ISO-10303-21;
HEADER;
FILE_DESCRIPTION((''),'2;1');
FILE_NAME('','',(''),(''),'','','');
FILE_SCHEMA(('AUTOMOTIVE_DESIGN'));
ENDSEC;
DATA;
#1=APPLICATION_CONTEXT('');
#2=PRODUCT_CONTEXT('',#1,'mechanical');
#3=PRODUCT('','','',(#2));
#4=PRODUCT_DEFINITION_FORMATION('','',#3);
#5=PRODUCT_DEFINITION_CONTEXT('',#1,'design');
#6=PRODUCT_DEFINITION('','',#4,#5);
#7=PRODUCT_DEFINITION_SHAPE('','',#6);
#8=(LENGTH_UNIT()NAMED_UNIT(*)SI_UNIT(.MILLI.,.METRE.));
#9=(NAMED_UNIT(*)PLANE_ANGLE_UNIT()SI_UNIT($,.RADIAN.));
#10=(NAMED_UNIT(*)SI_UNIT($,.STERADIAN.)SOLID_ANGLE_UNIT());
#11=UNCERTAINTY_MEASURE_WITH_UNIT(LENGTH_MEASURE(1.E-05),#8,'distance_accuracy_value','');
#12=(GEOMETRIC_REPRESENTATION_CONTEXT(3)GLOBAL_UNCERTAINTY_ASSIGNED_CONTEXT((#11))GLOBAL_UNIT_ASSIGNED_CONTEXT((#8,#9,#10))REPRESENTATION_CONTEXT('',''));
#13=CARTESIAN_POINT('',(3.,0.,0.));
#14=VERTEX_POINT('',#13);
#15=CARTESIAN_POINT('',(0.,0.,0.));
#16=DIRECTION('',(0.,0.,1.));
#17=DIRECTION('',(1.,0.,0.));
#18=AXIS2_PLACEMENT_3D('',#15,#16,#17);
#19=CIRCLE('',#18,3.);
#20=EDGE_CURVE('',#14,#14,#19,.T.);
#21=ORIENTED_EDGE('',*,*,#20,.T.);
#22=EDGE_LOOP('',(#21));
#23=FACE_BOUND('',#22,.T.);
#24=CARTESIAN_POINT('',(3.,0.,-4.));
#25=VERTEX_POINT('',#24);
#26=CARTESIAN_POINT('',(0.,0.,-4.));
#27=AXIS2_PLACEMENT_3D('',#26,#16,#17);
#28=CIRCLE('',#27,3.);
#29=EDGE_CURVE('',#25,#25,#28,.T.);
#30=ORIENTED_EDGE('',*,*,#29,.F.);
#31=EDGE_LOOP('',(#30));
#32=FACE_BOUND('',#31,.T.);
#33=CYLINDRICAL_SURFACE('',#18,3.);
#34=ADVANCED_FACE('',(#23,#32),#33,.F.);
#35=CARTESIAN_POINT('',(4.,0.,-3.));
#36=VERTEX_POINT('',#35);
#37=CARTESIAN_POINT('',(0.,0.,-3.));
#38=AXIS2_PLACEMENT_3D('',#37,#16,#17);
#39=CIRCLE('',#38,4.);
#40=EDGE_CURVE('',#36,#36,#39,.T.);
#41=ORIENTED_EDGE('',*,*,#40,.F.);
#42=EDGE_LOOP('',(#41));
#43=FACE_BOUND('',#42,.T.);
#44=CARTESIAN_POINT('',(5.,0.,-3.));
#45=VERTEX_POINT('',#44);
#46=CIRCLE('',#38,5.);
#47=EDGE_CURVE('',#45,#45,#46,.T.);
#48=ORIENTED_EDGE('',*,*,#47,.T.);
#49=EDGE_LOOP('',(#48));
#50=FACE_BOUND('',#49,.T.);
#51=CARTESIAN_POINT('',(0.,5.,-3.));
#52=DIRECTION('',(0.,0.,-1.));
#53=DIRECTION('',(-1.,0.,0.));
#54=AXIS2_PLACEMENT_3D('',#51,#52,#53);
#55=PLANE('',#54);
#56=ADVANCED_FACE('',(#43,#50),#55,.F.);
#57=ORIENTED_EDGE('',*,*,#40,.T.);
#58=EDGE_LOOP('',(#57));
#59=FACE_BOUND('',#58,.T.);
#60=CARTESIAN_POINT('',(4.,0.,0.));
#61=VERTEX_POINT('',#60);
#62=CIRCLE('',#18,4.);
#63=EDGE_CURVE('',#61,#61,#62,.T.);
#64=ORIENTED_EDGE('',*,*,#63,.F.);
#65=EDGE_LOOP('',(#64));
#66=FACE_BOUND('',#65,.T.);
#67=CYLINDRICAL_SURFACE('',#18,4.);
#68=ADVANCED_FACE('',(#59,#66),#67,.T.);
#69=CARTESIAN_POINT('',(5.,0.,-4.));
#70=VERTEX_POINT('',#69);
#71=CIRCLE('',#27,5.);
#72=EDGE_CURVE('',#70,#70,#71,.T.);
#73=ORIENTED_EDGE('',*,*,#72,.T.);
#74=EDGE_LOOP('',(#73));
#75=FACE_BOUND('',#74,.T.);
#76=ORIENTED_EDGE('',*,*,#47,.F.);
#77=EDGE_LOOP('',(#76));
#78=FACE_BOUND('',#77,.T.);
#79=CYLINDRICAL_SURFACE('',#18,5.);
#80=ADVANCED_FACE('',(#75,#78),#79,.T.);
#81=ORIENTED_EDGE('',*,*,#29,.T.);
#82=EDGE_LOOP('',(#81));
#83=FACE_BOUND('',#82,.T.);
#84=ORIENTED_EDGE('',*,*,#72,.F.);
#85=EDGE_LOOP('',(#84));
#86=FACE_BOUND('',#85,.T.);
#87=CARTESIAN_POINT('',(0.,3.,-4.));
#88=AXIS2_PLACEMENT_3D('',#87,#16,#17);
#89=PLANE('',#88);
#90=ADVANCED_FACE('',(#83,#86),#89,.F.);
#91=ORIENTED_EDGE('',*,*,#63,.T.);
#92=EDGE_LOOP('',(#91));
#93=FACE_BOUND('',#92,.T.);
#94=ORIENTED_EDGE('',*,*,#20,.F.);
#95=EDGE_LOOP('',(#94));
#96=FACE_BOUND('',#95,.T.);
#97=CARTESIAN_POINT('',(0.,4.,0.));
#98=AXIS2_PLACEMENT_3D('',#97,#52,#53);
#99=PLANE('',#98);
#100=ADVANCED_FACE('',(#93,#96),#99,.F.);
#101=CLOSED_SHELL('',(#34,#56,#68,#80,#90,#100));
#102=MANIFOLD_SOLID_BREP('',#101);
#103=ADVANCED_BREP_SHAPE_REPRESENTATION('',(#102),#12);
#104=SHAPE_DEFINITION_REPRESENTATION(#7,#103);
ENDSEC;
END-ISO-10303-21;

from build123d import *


with BuildPart() as part:
    # 草图1 → 旋转1 (revolve)
    with BuildSketch(Plane(origin=(0, 0, 0), x_dir=(0, 0, -1), z_dir=(1, 0, 0)), mode=Mode.PRIVATE) as revolve_1_sk:
        Polygon((0, 3), (4, 3), (4, 5), (3, 5), (3, 4), (0, 4), align=None)
    revolve(revolve_1_sk.sketch.rotate(Axis((0, 0, 0), (0, 0, -1)), 90), axis=Axis((0, 0, 0), (0, 0, -1)))


solid = part.part
